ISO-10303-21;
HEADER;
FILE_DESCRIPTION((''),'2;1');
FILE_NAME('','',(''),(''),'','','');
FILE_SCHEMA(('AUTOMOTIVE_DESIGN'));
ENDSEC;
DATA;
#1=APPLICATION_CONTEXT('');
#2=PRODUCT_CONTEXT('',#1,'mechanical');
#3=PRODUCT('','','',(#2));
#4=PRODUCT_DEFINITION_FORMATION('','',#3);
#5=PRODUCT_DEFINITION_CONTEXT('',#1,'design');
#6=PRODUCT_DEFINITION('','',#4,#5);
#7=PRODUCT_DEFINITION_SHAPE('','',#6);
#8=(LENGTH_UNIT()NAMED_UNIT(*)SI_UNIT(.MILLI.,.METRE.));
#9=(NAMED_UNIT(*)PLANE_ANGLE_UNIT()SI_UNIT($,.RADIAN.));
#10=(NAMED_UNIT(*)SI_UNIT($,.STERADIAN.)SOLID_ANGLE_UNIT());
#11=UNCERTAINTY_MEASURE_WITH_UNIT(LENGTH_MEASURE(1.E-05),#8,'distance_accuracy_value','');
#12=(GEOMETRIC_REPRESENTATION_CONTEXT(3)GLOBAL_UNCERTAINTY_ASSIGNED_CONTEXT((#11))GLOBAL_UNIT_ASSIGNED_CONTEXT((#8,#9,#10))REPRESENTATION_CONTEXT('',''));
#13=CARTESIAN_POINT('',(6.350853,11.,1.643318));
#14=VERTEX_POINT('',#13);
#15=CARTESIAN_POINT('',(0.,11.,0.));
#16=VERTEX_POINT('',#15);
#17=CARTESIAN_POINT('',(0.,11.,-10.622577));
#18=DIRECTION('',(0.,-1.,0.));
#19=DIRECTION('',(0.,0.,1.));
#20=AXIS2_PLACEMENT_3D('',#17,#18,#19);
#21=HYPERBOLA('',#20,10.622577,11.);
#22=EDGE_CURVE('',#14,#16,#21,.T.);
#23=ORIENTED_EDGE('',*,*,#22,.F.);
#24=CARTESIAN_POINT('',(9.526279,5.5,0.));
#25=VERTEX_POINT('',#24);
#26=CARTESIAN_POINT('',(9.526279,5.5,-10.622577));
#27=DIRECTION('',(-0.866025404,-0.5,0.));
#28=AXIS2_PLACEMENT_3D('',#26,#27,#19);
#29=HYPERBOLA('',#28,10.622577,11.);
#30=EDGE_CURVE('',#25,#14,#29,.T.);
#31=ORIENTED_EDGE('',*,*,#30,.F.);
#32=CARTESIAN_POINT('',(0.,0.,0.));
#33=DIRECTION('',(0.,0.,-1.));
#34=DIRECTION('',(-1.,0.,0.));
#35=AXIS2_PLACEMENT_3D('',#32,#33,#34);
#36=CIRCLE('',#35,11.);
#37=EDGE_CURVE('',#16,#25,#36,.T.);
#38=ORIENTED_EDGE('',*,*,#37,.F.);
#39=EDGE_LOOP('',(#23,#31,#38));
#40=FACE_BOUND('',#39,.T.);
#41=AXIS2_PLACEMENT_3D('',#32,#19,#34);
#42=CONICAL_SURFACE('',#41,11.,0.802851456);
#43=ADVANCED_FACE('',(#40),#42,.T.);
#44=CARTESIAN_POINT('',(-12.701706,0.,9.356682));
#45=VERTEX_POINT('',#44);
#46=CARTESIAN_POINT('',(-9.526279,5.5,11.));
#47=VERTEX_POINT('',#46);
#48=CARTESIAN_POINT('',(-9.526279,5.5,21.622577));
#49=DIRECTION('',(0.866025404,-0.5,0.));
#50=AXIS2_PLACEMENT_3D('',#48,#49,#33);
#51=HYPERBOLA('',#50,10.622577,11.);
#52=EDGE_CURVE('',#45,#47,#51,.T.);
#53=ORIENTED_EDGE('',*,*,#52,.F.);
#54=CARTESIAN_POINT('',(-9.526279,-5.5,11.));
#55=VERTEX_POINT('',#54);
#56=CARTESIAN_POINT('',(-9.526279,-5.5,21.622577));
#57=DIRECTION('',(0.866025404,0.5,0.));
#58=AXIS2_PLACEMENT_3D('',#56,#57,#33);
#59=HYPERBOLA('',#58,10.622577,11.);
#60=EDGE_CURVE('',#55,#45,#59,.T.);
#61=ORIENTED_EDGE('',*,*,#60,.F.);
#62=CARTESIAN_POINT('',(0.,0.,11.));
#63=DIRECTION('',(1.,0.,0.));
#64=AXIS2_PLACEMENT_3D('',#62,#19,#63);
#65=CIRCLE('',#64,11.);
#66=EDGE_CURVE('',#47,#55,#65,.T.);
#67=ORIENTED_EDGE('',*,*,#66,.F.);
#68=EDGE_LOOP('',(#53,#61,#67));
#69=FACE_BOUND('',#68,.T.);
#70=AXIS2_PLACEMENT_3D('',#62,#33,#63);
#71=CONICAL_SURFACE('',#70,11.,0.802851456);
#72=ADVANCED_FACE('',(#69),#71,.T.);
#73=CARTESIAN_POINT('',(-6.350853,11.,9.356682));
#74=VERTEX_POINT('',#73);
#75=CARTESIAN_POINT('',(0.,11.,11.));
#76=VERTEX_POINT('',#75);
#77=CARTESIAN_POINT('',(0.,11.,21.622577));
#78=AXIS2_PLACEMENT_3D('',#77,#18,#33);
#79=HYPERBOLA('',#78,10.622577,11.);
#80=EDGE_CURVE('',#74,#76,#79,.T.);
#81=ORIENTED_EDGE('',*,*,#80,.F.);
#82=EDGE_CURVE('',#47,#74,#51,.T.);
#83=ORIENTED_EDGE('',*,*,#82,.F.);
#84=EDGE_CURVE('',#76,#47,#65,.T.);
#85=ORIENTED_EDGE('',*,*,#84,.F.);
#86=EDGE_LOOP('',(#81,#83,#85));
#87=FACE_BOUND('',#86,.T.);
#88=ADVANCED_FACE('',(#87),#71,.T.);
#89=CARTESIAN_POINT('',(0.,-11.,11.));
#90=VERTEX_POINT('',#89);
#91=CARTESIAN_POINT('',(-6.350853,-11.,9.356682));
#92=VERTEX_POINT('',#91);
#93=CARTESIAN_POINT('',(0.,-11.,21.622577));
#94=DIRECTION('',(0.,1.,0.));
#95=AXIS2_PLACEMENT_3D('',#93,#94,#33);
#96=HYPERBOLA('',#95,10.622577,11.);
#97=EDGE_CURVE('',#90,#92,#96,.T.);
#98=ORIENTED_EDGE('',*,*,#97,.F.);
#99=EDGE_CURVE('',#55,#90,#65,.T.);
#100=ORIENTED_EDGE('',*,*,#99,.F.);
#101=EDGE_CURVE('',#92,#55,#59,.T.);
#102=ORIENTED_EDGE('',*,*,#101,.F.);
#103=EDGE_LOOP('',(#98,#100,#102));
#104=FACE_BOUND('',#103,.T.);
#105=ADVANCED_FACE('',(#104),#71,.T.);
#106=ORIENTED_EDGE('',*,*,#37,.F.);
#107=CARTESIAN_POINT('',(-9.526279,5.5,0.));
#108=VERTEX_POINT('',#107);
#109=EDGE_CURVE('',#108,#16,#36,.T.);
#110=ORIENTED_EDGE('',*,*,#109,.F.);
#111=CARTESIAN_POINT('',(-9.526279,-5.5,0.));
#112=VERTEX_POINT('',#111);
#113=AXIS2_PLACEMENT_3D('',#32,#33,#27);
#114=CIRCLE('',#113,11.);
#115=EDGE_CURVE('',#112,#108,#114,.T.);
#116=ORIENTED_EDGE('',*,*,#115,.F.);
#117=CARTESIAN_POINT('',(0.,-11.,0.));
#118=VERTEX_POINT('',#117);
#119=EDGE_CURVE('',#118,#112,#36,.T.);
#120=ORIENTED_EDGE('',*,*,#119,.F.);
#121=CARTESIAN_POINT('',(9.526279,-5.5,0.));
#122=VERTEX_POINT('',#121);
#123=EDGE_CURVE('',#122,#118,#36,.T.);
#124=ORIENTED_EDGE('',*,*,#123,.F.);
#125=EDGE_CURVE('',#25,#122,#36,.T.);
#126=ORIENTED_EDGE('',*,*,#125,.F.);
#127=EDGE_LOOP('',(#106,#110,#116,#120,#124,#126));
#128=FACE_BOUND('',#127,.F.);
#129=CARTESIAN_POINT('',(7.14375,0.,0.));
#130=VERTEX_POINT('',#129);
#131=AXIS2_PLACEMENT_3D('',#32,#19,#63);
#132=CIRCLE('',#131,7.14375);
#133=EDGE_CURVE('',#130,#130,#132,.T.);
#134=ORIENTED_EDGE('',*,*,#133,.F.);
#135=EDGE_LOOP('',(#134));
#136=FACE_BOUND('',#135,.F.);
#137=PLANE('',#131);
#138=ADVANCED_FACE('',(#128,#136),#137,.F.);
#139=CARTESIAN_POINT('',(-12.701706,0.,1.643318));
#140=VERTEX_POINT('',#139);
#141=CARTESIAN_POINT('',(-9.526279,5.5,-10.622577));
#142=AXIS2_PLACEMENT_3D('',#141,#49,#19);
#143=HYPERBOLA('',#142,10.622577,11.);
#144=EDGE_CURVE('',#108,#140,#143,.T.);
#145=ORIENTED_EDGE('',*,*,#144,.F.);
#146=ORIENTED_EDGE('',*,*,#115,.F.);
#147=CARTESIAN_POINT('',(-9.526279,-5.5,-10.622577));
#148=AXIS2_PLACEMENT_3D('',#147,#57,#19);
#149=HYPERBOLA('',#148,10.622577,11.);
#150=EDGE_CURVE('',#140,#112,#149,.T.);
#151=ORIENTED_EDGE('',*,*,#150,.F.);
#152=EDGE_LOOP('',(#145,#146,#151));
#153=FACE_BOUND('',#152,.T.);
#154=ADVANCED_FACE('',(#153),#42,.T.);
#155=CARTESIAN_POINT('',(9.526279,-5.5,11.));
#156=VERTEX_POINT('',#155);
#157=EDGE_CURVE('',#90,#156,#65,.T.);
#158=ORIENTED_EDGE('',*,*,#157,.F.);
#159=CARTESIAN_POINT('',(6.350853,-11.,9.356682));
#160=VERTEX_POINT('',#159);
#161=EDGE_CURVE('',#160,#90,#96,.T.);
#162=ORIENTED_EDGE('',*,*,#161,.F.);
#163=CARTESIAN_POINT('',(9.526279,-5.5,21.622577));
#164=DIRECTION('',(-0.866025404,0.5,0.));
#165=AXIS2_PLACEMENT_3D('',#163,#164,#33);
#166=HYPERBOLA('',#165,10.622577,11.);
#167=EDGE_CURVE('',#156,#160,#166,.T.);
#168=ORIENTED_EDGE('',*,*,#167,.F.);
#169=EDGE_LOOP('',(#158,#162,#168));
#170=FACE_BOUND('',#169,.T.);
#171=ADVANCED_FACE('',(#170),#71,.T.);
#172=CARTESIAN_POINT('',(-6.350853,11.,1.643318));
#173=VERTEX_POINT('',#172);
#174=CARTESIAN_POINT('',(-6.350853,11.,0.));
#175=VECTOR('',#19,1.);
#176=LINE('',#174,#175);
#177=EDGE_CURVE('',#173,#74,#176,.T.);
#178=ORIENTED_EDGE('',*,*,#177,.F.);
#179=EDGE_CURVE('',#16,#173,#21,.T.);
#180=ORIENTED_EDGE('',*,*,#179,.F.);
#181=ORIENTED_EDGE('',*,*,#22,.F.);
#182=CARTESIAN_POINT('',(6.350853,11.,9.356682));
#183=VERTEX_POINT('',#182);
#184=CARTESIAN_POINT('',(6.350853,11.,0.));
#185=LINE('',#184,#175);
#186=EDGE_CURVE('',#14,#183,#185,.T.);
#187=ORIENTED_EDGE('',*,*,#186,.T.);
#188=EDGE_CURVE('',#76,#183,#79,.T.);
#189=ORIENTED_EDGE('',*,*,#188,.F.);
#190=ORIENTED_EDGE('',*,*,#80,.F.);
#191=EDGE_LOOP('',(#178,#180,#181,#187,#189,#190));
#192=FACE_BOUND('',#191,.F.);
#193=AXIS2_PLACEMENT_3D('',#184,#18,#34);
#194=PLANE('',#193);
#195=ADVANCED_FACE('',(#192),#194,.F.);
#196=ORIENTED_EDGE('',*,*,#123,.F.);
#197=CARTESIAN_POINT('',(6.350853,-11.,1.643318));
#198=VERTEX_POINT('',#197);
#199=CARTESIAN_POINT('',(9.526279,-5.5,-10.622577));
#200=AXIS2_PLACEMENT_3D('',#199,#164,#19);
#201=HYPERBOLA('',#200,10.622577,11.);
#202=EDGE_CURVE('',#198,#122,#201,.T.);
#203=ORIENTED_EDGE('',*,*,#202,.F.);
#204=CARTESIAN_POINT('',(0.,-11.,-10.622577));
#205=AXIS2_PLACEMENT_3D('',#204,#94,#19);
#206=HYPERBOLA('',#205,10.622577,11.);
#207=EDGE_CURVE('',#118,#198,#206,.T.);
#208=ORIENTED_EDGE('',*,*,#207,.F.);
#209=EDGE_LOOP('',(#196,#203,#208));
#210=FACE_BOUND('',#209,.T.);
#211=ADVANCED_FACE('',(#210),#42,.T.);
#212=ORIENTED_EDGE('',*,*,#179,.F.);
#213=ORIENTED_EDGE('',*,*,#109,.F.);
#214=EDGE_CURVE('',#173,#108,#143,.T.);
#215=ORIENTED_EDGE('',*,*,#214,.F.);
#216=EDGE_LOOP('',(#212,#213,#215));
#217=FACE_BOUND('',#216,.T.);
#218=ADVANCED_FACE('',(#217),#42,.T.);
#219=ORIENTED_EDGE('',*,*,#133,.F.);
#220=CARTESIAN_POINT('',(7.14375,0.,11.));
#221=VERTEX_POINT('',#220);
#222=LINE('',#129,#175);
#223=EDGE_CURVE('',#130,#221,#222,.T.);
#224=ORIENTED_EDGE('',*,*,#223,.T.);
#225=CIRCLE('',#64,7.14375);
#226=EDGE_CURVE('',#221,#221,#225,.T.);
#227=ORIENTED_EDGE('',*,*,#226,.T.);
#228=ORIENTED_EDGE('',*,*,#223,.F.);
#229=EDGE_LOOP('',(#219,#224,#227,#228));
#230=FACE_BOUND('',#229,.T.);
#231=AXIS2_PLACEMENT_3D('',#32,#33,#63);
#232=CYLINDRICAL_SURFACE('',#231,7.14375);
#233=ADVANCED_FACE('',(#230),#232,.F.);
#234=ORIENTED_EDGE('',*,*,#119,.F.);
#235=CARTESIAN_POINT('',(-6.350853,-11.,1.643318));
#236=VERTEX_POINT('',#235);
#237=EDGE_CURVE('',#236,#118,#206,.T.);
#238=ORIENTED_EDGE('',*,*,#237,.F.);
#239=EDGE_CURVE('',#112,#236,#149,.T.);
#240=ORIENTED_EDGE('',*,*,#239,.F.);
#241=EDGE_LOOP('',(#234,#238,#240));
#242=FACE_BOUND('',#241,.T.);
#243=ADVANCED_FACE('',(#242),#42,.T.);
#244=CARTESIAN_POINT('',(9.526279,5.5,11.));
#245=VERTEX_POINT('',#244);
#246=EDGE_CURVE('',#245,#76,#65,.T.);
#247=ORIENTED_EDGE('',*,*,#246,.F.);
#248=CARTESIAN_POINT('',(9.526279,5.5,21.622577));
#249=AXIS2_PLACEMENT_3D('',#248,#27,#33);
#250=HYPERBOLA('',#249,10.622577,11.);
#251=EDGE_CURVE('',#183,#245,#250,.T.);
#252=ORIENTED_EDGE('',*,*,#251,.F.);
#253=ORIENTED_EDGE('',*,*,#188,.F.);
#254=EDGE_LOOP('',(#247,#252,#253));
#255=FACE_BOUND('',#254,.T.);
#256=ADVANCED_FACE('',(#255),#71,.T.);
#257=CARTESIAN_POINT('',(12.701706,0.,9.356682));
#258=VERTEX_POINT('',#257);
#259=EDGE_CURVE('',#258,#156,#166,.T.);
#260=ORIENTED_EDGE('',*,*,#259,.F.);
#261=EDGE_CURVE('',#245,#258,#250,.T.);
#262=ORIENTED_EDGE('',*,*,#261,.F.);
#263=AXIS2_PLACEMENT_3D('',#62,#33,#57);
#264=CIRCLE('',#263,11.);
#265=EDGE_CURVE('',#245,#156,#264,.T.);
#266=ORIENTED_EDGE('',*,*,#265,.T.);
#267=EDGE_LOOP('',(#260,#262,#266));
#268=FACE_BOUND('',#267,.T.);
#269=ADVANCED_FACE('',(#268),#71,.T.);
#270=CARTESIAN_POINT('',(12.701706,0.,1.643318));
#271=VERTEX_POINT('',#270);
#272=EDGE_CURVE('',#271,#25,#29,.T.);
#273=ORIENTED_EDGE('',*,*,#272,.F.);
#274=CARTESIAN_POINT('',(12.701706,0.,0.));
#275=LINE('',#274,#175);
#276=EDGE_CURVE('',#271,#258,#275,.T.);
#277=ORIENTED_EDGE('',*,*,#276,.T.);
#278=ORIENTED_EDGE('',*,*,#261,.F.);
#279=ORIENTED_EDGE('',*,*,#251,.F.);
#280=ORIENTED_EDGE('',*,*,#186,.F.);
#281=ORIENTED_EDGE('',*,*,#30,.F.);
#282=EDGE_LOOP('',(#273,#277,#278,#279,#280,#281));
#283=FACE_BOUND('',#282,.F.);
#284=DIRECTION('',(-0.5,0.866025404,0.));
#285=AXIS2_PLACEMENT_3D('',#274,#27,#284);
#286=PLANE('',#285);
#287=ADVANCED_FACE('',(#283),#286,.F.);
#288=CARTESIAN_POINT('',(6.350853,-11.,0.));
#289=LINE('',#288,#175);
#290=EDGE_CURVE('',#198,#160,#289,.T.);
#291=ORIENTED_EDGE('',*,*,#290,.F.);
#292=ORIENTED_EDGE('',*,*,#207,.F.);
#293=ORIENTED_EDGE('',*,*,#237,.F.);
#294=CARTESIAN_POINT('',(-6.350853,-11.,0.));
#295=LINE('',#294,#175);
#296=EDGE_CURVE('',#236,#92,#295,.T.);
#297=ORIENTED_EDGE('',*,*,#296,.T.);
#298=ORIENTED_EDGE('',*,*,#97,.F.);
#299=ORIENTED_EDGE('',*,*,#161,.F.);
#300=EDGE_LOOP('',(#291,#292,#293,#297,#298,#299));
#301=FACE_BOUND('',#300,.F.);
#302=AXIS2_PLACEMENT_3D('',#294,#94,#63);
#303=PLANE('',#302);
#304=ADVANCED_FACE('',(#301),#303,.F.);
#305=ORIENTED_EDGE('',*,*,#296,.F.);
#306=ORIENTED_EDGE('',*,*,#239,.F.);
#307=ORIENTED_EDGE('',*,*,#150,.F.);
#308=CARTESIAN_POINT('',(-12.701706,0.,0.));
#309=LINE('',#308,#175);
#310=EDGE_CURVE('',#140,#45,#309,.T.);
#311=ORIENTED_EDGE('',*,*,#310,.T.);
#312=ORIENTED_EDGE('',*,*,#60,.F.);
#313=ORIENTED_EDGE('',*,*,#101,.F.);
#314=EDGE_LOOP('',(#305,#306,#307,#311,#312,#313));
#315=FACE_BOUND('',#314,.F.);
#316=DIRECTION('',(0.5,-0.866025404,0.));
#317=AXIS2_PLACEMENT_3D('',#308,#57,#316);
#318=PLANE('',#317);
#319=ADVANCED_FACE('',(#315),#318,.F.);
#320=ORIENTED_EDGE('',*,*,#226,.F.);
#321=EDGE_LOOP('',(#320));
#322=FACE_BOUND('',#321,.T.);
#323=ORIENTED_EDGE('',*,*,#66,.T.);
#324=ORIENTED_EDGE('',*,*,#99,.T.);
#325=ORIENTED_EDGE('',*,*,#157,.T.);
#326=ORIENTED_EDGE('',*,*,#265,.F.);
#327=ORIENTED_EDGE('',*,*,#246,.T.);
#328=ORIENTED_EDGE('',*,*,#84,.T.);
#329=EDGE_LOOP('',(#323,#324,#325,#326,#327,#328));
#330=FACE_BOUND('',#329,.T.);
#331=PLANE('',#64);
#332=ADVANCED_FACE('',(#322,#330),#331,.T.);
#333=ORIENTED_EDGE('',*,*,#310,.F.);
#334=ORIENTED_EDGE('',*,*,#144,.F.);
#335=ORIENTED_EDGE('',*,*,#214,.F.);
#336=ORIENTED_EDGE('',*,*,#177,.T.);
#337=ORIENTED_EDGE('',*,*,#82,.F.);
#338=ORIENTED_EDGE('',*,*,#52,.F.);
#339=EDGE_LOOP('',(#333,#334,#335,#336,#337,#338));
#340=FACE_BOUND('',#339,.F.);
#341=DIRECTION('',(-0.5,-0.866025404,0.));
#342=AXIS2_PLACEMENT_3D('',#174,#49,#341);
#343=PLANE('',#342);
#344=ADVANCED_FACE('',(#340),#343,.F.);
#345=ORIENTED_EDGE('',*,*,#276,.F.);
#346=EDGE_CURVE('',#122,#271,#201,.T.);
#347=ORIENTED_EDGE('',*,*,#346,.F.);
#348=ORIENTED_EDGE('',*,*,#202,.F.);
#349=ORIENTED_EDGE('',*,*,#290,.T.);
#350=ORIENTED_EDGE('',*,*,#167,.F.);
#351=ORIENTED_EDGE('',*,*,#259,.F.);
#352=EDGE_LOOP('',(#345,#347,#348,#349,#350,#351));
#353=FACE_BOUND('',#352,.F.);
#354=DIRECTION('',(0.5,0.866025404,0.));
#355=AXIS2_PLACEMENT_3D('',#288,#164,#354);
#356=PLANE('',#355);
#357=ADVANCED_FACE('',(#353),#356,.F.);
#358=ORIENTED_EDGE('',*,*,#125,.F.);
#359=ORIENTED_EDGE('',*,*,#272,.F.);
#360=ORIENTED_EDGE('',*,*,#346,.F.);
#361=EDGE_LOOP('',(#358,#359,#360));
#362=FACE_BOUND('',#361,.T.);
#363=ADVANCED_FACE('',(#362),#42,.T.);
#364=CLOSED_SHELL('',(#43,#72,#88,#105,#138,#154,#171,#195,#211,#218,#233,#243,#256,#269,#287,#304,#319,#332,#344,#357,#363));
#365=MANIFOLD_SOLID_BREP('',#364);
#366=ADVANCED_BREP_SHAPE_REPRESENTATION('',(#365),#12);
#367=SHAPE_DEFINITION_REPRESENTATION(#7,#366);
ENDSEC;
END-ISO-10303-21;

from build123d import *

# Parameters (mm, degrees)
CROQUIS1_R              = 7.14375
SALIENTE_EXTRUIR1_DEPTH = 11
CROQUIS2_R              = 31.223063066
CROQUIS2_R_2            = 11
CORTAR_EXTRUIR1_DEPTH   = 10
CORTAR_EXTRUIR1_DRAFT   = -46
CROQUIS4_R              = 40.862675885
CROQUIS4_R_2            = 11
CORTAR_EXTRUIR3_DEPTH   = 10
CORTAR_EXTRUIR3_DRAFT   = -46


with BuildPart() as part:
    # Croquis1 → Saliente-Extruir1 (new body)
    with BuildSketch(Plane.XY):
        Polygon((12.701705922, 0), (6.350852961, 11), (-6.350852961, 11), (-12.701705922, 0), (-6.350852961, -11), (6.350852961, -11), align=None)
        Circle(CROQUIS1_R, mode=Mode.SUBTRACT)
    extrude(amount=SALIENTE_EXTRUIR1_DEPTH)


with BuildPart() as cortar_extruir1_tool:
    # Croquis2 → Cortar-Extruir1 (with draft: the straight prism first)
    with BuildSketch(Plane.XY.offset(11)):
        Circle(CROQUIS2_R)
        Circle(CROQUIS2_R_2, mode=Mode.SUBTRACT)
    extrude(amount=-CORTAR_EXTRUIR1_DEPTH)
    # Cortar-Extruir1: the draft: its side faces are tilted about the plane it starts from
    cortar_extruir1_sides = [cortar_extruir1_tool.faces().sort_by_distance(p)[0] for p in [
        (-31.223063066, 0, 6),
        (-11, 0, 6),
    ]]
    draft(cortar_extruir1_sides, Plane.XY.offset(11), CORTAR_EXTRUIR1_DRAFT)


with BuildPart() as part_1:
    add(part.part)

    # Cortar-Extruir1: cut by cortar_extruir1_tool
    add(cortar_extruir1_tool.part, mode=Mode.SUBTRACT)


with BuildPart() as cortar_extruir3_tool:
    # Croquis4 → Cortar-Extruir3 (with draft: the straight prism first)
    with BuildSketch(Plane(origin=(0, 0, 0), x_dir=(-1, 0, 0), z_dir=(0, 0, -1))):
        Circle(CROQUIS4_R)
        Circle(CROQUIS4_R_2, mode=Mode.SUBTRACT)
    extrude(amount=-CORTAR_EXTRUIR3_DEPTH)
    # Cortar-Extruir3: the draft: its side faces are tilted about the plane it starts from
    cortar_extruir3_sides = [cortar_extruir3_tool.faces().sort_by_distance(p)[0] for p in [
        (40.862675885, 0, 5),
        (11, 0, 5),
    ]]
    draft(cortar_extruir3_sides, Plane(origin=(0, 0, 0), x_dir=(-1, 0, 0), z_dir=(0, 0, -1)), CORTAR_EXTRUIR3_DRAFT)


with BuildPart() as part_2:
    add(part_1.part)

    # Cortar-Extruir3: cut by cortar_extruir3_tool
    add(cortar_extruir3_tool.part, mode=Mode.SUBTRACT)


solid = part_2.part
